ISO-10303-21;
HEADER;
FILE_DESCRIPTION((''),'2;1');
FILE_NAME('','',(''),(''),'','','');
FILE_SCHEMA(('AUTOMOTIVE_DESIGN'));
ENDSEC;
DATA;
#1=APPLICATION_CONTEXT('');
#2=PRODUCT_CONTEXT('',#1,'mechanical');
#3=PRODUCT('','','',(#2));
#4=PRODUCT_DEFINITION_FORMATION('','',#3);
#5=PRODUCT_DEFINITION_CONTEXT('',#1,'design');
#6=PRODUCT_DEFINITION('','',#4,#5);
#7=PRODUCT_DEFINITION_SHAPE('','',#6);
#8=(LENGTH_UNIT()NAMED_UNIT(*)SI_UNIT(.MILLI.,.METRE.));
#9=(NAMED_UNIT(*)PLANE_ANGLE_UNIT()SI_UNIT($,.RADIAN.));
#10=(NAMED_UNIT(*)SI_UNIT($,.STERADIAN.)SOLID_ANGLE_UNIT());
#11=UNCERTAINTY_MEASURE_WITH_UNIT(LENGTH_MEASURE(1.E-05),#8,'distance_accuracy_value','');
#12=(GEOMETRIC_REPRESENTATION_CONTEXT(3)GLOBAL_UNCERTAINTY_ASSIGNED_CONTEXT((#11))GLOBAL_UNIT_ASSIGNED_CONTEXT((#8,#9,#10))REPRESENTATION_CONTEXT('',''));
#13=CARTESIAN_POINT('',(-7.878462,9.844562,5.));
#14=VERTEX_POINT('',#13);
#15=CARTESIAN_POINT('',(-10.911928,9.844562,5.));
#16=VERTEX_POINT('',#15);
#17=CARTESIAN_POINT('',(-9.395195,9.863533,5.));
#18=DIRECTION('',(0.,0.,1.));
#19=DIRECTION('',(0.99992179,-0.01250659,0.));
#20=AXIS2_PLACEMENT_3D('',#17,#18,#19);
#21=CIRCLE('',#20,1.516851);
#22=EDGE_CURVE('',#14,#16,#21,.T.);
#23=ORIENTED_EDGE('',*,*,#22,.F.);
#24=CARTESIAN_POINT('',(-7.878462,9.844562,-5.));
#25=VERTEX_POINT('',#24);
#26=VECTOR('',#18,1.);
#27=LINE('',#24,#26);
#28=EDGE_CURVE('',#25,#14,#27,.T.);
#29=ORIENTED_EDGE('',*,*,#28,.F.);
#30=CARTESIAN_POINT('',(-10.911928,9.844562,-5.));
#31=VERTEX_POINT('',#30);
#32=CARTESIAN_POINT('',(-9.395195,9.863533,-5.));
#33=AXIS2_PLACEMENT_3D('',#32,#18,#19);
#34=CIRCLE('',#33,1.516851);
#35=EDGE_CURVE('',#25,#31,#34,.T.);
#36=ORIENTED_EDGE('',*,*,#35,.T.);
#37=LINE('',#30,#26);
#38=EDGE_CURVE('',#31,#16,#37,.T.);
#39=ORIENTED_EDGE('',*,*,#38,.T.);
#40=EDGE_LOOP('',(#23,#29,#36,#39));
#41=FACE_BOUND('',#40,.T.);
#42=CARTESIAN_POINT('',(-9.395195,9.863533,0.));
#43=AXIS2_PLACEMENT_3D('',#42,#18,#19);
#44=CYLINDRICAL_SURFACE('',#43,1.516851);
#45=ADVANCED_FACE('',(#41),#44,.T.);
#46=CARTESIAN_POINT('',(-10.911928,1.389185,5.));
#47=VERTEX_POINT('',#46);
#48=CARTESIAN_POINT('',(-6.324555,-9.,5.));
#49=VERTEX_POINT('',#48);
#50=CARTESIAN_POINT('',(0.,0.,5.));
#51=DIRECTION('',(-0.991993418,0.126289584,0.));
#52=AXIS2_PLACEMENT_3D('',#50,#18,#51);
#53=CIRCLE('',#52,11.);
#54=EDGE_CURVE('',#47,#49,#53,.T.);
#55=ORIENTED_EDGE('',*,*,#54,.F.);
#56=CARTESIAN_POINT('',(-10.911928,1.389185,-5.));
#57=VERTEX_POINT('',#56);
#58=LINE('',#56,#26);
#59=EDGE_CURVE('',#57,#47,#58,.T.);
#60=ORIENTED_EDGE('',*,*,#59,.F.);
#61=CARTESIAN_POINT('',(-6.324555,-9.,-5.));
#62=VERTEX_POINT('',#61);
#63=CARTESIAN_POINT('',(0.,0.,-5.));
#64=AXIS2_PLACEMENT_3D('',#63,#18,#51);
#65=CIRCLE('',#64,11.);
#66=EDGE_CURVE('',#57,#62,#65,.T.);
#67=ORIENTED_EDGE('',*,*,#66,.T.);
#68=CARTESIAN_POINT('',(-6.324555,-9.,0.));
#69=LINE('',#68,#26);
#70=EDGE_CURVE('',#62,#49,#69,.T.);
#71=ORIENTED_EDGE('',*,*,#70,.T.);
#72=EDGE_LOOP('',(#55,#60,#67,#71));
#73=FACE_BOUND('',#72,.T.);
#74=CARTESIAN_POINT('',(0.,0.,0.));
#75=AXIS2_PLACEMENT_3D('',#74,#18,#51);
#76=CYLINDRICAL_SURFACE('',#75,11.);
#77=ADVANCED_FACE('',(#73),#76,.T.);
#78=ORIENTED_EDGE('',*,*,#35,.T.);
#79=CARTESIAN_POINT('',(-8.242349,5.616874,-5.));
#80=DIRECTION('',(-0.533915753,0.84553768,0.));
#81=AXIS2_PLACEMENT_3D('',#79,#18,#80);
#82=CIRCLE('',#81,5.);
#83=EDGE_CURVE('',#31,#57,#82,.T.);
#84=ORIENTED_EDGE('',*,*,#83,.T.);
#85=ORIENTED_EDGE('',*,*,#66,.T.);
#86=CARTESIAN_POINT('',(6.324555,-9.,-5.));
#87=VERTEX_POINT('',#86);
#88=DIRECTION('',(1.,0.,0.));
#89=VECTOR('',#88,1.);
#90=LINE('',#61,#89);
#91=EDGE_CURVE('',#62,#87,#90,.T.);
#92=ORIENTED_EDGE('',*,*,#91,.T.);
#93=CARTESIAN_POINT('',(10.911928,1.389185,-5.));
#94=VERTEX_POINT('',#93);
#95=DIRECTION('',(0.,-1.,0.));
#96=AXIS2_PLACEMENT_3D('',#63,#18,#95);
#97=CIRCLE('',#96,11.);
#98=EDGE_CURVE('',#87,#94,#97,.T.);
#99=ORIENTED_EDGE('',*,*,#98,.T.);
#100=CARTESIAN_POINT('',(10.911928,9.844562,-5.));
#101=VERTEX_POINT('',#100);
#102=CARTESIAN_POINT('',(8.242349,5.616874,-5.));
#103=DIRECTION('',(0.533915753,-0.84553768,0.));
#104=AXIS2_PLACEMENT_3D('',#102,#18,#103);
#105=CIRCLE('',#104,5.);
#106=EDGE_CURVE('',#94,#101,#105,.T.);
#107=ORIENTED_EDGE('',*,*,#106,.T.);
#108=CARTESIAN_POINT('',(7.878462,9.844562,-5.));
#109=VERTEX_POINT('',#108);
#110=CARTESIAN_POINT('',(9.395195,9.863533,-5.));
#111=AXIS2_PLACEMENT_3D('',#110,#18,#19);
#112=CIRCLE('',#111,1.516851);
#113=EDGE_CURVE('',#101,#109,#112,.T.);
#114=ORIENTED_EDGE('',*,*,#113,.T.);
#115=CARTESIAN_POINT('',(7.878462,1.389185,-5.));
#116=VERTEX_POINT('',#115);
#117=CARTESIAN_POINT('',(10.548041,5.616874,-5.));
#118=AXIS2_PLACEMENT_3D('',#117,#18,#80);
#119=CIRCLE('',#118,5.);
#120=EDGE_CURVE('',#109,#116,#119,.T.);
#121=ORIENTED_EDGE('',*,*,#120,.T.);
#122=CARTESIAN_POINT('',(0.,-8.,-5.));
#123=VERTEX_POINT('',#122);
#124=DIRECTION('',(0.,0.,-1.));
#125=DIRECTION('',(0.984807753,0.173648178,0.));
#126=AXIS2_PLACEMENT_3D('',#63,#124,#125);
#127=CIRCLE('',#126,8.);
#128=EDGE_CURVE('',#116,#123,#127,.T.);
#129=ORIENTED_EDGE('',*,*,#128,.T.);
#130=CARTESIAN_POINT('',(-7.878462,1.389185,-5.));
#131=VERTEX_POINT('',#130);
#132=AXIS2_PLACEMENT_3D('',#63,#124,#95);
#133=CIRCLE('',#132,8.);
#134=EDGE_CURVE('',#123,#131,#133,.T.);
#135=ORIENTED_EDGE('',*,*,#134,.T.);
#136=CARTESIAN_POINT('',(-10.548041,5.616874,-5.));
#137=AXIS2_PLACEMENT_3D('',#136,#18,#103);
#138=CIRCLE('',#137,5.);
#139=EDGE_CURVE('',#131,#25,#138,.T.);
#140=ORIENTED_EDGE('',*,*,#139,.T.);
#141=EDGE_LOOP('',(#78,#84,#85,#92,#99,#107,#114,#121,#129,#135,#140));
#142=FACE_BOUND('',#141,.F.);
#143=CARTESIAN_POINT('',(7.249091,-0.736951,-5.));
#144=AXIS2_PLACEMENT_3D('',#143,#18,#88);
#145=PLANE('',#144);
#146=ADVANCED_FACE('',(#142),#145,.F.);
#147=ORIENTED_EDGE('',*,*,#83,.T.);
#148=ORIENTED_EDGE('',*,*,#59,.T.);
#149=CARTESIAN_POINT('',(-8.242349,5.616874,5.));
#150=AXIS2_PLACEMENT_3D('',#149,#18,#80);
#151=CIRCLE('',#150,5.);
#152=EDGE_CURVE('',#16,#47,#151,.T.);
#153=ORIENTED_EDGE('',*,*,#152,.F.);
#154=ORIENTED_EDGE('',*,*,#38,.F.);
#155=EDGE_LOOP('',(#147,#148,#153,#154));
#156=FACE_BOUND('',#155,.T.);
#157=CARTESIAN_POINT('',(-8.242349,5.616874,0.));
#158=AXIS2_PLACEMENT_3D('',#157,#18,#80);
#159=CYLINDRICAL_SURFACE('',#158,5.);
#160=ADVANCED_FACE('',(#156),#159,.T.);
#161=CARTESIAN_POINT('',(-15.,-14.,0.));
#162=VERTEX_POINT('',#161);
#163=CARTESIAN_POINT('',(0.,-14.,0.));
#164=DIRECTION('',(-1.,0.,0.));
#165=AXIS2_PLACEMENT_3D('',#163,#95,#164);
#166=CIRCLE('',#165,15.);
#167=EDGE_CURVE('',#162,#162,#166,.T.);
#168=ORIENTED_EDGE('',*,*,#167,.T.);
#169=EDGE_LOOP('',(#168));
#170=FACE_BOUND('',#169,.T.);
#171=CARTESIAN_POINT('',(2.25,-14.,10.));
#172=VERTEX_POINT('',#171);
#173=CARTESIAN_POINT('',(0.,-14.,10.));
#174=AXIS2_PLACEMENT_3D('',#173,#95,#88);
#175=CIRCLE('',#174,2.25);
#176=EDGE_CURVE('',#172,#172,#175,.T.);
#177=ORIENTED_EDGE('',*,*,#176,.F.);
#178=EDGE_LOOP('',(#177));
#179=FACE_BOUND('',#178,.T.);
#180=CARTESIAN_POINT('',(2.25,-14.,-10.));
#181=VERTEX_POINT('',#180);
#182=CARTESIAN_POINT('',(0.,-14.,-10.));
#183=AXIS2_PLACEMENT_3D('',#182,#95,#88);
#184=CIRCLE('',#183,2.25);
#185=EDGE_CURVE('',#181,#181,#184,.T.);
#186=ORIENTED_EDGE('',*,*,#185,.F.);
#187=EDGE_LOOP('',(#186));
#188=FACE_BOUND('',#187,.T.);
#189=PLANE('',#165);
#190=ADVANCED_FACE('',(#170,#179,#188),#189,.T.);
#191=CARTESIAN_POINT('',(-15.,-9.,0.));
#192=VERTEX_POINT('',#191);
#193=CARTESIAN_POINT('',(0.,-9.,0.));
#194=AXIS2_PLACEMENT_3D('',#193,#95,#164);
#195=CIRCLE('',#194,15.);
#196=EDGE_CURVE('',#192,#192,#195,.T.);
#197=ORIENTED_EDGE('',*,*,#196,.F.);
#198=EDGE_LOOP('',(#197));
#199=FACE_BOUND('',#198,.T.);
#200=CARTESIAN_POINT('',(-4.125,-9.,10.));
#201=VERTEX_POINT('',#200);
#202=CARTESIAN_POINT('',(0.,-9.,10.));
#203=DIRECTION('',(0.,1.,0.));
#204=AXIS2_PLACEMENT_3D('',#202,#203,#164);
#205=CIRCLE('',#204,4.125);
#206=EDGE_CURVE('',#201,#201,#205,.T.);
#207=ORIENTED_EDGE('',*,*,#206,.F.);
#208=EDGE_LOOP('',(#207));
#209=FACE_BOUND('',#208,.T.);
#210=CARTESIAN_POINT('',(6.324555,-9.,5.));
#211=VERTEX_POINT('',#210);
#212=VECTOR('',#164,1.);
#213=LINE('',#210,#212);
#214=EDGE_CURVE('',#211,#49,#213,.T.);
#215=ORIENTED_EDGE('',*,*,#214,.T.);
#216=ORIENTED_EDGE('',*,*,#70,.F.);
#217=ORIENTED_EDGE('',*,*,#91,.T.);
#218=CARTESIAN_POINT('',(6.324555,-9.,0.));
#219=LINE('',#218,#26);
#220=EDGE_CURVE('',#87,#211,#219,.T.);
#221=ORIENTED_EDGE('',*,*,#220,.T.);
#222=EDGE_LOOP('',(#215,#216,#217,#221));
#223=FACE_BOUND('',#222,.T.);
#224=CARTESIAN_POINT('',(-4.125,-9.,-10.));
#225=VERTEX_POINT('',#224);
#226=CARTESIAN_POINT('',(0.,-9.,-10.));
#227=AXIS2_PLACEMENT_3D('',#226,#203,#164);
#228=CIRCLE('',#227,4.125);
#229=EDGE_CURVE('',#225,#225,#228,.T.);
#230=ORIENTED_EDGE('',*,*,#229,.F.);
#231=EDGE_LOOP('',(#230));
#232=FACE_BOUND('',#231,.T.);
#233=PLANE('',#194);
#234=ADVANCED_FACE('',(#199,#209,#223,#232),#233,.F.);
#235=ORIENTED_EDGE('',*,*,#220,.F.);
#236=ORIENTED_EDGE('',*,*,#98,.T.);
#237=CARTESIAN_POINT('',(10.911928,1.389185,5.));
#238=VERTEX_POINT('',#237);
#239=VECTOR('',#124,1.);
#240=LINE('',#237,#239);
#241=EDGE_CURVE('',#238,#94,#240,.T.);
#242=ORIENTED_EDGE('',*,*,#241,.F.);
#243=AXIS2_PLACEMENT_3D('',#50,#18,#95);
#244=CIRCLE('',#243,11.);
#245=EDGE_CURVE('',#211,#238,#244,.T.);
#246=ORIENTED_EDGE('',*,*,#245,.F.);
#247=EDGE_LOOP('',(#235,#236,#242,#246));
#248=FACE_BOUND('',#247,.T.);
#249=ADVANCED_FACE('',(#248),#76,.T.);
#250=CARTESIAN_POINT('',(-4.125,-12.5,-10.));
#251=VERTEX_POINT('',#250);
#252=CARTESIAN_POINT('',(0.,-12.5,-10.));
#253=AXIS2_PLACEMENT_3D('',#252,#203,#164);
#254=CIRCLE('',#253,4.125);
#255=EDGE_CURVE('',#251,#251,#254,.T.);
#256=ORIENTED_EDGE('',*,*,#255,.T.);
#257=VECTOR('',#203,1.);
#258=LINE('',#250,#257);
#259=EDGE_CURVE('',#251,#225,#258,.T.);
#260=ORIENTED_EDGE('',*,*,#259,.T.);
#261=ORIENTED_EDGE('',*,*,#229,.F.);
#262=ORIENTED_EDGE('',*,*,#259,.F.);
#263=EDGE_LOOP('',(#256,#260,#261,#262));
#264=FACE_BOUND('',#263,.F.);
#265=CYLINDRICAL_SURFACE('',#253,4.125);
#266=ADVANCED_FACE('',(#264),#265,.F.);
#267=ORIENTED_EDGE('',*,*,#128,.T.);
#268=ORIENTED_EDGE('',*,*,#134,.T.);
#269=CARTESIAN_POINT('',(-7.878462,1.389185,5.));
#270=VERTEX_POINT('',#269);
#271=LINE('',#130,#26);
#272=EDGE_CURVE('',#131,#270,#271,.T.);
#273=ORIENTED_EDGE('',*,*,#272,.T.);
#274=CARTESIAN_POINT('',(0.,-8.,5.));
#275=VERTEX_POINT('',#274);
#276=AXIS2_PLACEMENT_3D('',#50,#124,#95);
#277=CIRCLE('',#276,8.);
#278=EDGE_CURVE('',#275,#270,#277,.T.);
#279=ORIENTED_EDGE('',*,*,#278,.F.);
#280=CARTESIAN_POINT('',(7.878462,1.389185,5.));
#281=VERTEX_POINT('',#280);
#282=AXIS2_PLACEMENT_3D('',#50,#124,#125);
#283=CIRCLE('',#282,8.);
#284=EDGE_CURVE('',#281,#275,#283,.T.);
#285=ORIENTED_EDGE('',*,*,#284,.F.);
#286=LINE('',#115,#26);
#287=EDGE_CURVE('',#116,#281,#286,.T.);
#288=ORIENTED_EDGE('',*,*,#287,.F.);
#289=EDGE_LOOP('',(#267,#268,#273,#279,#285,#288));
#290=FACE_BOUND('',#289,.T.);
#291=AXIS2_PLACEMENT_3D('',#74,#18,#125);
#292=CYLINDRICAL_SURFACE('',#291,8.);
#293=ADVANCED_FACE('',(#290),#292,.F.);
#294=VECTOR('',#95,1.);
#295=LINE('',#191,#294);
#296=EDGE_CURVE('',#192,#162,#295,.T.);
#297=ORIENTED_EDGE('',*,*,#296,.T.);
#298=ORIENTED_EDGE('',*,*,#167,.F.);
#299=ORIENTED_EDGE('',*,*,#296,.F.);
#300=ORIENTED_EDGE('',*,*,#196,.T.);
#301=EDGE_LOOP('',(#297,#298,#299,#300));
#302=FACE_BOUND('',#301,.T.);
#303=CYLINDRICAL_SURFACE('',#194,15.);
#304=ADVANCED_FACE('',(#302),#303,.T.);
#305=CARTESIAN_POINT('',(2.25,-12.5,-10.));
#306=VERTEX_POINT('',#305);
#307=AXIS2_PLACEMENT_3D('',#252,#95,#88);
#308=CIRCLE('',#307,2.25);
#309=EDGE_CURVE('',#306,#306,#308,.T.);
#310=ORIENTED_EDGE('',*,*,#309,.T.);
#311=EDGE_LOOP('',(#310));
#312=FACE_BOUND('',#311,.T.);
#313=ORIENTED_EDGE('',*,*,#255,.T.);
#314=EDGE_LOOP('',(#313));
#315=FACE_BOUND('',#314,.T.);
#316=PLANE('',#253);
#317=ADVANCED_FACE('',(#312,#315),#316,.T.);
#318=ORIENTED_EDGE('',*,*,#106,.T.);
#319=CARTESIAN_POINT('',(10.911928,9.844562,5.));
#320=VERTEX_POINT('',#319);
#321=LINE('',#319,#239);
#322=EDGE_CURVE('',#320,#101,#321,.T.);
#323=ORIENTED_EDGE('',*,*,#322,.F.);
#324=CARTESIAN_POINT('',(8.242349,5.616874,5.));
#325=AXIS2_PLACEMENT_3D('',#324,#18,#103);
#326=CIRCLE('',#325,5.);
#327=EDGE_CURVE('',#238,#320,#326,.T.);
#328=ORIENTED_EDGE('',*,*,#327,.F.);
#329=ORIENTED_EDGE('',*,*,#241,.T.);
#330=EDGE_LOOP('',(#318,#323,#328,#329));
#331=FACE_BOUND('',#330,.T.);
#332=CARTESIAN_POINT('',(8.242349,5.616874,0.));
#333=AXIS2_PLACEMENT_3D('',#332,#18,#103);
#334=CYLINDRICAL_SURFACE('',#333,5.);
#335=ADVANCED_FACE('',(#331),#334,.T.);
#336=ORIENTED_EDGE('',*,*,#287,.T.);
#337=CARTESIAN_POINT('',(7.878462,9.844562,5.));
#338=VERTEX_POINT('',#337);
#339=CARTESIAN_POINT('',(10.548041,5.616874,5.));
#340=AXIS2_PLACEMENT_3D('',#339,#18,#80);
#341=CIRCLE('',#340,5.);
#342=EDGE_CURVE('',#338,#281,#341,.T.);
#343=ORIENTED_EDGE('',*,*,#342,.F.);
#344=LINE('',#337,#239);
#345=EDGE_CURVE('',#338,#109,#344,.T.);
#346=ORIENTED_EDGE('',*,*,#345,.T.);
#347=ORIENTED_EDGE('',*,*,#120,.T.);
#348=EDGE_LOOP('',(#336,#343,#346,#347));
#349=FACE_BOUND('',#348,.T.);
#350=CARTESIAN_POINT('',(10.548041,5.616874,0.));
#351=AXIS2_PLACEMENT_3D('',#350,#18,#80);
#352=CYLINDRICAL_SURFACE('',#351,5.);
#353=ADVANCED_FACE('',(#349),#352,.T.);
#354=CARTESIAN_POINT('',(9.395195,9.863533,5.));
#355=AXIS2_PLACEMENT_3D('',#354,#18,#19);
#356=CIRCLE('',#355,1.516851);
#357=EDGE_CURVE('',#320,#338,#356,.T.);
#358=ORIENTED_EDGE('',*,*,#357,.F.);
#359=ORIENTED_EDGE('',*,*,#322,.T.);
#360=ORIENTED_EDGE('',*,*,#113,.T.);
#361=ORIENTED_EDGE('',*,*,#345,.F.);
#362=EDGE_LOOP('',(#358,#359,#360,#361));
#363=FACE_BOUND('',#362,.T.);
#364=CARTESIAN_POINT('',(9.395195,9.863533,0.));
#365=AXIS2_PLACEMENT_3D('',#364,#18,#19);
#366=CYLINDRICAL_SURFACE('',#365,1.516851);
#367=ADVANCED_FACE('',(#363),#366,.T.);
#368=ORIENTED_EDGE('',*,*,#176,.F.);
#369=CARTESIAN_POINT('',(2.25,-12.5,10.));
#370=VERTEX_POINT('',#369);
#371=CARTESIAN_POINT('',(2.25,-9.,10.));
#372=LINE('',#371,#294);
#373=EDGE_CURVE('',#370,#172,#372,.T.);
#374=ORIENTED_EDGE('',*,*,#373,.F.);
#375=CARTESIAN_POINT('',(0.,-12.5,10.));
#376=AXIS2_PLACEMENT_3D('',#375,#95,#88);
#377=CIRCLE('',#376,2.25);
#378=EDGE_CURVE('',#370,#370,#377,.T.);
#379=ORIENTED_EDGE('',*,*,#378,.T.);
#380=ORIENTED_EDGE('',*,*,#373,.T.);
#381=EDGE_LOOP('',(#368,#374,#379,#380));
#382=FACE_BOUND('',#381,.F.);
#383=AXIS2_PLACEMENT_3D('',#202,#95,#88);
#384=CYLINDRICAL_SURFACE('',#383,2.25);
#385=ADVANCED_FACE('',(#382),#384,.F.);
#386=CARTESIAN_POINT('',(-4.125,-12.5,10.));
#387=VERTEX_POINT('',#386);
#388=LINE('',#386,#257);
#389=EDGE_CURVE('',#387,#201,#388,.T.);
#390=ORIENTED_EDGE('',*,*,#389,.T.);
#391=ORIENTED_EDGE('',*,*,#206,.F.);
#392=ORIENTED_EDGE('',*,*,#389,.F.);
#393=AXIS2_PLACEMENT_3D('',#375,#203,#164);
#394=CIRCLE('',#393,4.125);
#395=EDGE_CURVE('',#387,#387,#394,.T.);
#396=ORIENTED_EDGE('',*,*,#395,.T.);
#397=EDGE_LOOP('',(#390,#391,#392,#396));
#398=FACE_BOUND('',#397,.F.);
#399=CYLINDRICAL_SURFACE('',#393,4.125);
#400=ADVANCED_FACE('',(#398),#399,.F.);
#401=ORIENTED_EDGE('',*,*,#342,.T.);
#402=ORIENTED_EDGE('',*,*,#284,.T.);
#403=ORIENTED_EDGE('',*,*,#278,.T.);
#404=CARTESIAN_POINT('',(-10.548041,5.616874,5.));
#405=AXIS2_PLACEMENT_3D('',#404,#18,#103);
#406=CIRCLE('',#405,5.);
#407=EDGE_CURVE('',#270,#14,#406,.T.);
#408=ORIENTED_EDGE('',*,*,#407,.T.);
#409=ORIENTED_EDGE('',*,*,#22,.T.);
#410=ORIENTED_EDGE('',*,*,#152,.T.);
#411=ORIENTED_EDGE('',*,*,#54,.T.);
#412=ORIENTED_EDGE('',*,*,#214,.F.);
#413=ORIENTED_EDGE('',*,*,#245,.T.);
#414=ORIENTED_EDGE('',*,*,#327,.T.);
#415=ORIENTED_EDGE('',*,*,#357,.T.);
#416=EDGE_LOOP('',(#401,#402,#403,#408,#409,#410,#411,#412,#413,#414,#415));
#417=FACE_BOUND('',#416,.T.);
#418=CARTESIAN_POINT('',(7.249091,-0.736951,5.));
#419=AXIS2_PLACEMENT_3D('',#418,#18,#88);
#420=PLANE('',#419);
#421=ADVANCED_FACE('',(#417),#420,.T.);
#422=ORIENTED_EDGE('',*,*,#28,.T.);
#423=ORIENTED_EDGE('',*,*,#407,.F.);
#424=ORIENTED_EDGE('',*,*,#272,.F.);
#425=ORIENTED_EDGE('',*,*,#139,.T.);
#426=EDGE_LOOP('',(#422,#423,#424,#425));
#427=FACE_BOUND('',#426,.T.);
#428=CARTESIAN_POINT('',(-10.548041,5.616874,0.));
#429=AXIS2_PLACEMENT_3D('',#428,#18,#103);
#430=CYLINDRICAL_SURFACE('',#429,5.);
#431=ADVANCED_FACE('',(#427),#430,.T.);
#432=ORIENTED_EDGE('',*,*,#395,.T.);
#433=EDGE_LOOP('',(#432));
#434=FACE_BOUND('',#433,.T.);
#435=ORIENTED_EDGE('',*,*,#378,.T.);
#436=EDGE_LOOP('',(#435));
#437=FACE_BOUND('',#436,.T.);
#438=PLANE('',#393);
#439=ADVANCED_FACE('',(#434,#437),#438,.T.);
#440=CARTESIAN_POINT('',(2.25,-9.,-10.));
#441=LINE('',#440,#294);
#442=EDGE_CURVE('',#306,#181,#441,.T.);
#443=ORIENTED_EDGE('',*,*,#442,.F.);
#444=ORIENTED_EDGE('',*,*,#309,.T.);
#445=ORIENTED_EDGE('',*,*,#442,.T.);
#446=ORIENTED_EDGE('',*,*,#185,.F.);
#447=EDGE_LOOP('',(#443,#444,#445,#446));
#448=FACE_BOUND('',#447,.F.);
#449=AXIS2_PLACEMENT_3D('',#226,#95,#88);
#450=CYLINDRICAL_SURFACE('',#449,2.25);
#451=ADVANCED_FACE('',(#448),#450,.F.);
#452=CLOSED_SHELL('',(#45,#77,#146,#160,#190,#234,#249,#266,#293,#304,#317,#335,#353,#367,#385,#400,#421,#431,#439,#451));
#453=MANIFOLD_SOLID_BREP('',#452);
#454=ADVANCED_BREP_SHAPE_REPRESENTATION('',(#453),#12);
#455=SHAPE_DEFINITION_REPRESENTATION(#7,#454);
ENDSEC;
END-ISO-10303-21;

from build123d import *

# Parameters (mm, degrees)
F1_DEPTH       = 5
F5_D           = 4.5
F5_CBORE_D     = 8.25
F5_CBORE_DEPTH = 3.5


with BuildPart() as f1:
    # F0 (on Top) → F1 (new body, symmetric)
    with BuildSketch(Plane.XY):
        with BuildLine():
            ThreePointArc((7.8784620241, 9.8445622258), (5.5480407874, 5.6168738236), (7.8784620241, 1.3891854213))
            ThreePointArc((7.8784620241, 1.3891854213), (6.128355545, -5.1423008775), (0, -8))
            Line((0, -8), (0, -11))
            ThreePointArc((0, -11), (8.2547271195, -7.2704525432), (10.9119275962, 1.3891854213))
            ThreePointArc((10.9119275962, 1.3891854213), (13.2423488329, 5.6168738236), (10.9119275962, 9.8445622258))
            ThreePointArc((10.9119275962, 9.8445622258), (9.3951948102, 11.3803842849), (7.8784620241, 9.8445622258))
        make_face()
        with BuildLine():
            Line((-4.8236730193, -8), (0, -8))
            ThreePointArc((0, -8), (-6.128355545, -5.1423008775), (-7.8784620241, 1.3891854213))
            ThreePointArc((-7.8784620241, 1.3891854213), (-5.5480407874, 5.6168738236), (-7.8784620241, 9.8445622258))
            ThreePointArc((-7.8784620241, 9.8445622258), (-9.3951948102, 11.3803842849), (-10.9119275962, 9.8445622258))
            ThreePointArc((-10.9119275962, 9.8445622258), (-13.2423488329, 5.6168738236), (-10.9119275962, 1.3891854213))
            ThreePointArc((-10.9119275962, 1.3891854213), (-10.0626974149, -4.4432106339), (-6.3245553203, -9))
            Line((-6.3245553203, -9), (-5, -9))
            Line((-5, -9), (-4.8236730193, -8))
        make_face()
        with BuildLine():
            Line((0, -11), (0, -8))
            Line((0, -8), (-4.8236730193, -8))
            Line((-4.8236730193, -8), (-5, -9))
            Line((-5, -9), (-6.3245553203, -9))
            ThreePointArc((-6.3245553203, -9), (-3.3166247904, -10.4880884817), (0, -11))
        make_face()
    extrude(amount=F1_DEPTH, both=True)


with BuildPart() as f2:
    # F0 (on Top) → F2 (revolve)
    with BuildSketch(Plane.XY):
        with BuildLine():
            Line((0, -11), (0, -8))
            Line((0, -8), (-4.8236730193, -8))
            Line((-4.8236730193, -8), (-5, -9))
            Line((-5, -9), (-6.3245553203, -9))
            ThreePointArc((-6.3245553203, -9), (-3.3166247904, -10.4880884817), (0, -11))
        make_face()
        with BuildLine():
            Line((0, -14), (0, -11))
            ThreePointArc((0, -11), (-3.3166247904, -10.4880884817), (-6.3245553203, -9))
            Line((-6.3245553203, -9), (-15, -9))
            Line((-15, -9), (-15, -14))
            Line((-15, -14), (0, -14))
        make_face()
    revolve(axis=Axis((0, -31.6533013247, 0), (0, -1, 0)))


with BuildPart() as f1_1:
    add(f1.part)

    # F3: union F2
    add(f2.part)

    # F5 (through all)
    with Locations(Plane(origin=(0, -9, 0), x_dir=(-1, 0, 0), z_dir=(0, 1, 0))):
        with Locations((0, -10), (0, 10)):
            CounterBoreHole(F5_D / 2, F5_CBORE_D / 2, F5_CBORE_DEPTH)


solid = f1_1.part
